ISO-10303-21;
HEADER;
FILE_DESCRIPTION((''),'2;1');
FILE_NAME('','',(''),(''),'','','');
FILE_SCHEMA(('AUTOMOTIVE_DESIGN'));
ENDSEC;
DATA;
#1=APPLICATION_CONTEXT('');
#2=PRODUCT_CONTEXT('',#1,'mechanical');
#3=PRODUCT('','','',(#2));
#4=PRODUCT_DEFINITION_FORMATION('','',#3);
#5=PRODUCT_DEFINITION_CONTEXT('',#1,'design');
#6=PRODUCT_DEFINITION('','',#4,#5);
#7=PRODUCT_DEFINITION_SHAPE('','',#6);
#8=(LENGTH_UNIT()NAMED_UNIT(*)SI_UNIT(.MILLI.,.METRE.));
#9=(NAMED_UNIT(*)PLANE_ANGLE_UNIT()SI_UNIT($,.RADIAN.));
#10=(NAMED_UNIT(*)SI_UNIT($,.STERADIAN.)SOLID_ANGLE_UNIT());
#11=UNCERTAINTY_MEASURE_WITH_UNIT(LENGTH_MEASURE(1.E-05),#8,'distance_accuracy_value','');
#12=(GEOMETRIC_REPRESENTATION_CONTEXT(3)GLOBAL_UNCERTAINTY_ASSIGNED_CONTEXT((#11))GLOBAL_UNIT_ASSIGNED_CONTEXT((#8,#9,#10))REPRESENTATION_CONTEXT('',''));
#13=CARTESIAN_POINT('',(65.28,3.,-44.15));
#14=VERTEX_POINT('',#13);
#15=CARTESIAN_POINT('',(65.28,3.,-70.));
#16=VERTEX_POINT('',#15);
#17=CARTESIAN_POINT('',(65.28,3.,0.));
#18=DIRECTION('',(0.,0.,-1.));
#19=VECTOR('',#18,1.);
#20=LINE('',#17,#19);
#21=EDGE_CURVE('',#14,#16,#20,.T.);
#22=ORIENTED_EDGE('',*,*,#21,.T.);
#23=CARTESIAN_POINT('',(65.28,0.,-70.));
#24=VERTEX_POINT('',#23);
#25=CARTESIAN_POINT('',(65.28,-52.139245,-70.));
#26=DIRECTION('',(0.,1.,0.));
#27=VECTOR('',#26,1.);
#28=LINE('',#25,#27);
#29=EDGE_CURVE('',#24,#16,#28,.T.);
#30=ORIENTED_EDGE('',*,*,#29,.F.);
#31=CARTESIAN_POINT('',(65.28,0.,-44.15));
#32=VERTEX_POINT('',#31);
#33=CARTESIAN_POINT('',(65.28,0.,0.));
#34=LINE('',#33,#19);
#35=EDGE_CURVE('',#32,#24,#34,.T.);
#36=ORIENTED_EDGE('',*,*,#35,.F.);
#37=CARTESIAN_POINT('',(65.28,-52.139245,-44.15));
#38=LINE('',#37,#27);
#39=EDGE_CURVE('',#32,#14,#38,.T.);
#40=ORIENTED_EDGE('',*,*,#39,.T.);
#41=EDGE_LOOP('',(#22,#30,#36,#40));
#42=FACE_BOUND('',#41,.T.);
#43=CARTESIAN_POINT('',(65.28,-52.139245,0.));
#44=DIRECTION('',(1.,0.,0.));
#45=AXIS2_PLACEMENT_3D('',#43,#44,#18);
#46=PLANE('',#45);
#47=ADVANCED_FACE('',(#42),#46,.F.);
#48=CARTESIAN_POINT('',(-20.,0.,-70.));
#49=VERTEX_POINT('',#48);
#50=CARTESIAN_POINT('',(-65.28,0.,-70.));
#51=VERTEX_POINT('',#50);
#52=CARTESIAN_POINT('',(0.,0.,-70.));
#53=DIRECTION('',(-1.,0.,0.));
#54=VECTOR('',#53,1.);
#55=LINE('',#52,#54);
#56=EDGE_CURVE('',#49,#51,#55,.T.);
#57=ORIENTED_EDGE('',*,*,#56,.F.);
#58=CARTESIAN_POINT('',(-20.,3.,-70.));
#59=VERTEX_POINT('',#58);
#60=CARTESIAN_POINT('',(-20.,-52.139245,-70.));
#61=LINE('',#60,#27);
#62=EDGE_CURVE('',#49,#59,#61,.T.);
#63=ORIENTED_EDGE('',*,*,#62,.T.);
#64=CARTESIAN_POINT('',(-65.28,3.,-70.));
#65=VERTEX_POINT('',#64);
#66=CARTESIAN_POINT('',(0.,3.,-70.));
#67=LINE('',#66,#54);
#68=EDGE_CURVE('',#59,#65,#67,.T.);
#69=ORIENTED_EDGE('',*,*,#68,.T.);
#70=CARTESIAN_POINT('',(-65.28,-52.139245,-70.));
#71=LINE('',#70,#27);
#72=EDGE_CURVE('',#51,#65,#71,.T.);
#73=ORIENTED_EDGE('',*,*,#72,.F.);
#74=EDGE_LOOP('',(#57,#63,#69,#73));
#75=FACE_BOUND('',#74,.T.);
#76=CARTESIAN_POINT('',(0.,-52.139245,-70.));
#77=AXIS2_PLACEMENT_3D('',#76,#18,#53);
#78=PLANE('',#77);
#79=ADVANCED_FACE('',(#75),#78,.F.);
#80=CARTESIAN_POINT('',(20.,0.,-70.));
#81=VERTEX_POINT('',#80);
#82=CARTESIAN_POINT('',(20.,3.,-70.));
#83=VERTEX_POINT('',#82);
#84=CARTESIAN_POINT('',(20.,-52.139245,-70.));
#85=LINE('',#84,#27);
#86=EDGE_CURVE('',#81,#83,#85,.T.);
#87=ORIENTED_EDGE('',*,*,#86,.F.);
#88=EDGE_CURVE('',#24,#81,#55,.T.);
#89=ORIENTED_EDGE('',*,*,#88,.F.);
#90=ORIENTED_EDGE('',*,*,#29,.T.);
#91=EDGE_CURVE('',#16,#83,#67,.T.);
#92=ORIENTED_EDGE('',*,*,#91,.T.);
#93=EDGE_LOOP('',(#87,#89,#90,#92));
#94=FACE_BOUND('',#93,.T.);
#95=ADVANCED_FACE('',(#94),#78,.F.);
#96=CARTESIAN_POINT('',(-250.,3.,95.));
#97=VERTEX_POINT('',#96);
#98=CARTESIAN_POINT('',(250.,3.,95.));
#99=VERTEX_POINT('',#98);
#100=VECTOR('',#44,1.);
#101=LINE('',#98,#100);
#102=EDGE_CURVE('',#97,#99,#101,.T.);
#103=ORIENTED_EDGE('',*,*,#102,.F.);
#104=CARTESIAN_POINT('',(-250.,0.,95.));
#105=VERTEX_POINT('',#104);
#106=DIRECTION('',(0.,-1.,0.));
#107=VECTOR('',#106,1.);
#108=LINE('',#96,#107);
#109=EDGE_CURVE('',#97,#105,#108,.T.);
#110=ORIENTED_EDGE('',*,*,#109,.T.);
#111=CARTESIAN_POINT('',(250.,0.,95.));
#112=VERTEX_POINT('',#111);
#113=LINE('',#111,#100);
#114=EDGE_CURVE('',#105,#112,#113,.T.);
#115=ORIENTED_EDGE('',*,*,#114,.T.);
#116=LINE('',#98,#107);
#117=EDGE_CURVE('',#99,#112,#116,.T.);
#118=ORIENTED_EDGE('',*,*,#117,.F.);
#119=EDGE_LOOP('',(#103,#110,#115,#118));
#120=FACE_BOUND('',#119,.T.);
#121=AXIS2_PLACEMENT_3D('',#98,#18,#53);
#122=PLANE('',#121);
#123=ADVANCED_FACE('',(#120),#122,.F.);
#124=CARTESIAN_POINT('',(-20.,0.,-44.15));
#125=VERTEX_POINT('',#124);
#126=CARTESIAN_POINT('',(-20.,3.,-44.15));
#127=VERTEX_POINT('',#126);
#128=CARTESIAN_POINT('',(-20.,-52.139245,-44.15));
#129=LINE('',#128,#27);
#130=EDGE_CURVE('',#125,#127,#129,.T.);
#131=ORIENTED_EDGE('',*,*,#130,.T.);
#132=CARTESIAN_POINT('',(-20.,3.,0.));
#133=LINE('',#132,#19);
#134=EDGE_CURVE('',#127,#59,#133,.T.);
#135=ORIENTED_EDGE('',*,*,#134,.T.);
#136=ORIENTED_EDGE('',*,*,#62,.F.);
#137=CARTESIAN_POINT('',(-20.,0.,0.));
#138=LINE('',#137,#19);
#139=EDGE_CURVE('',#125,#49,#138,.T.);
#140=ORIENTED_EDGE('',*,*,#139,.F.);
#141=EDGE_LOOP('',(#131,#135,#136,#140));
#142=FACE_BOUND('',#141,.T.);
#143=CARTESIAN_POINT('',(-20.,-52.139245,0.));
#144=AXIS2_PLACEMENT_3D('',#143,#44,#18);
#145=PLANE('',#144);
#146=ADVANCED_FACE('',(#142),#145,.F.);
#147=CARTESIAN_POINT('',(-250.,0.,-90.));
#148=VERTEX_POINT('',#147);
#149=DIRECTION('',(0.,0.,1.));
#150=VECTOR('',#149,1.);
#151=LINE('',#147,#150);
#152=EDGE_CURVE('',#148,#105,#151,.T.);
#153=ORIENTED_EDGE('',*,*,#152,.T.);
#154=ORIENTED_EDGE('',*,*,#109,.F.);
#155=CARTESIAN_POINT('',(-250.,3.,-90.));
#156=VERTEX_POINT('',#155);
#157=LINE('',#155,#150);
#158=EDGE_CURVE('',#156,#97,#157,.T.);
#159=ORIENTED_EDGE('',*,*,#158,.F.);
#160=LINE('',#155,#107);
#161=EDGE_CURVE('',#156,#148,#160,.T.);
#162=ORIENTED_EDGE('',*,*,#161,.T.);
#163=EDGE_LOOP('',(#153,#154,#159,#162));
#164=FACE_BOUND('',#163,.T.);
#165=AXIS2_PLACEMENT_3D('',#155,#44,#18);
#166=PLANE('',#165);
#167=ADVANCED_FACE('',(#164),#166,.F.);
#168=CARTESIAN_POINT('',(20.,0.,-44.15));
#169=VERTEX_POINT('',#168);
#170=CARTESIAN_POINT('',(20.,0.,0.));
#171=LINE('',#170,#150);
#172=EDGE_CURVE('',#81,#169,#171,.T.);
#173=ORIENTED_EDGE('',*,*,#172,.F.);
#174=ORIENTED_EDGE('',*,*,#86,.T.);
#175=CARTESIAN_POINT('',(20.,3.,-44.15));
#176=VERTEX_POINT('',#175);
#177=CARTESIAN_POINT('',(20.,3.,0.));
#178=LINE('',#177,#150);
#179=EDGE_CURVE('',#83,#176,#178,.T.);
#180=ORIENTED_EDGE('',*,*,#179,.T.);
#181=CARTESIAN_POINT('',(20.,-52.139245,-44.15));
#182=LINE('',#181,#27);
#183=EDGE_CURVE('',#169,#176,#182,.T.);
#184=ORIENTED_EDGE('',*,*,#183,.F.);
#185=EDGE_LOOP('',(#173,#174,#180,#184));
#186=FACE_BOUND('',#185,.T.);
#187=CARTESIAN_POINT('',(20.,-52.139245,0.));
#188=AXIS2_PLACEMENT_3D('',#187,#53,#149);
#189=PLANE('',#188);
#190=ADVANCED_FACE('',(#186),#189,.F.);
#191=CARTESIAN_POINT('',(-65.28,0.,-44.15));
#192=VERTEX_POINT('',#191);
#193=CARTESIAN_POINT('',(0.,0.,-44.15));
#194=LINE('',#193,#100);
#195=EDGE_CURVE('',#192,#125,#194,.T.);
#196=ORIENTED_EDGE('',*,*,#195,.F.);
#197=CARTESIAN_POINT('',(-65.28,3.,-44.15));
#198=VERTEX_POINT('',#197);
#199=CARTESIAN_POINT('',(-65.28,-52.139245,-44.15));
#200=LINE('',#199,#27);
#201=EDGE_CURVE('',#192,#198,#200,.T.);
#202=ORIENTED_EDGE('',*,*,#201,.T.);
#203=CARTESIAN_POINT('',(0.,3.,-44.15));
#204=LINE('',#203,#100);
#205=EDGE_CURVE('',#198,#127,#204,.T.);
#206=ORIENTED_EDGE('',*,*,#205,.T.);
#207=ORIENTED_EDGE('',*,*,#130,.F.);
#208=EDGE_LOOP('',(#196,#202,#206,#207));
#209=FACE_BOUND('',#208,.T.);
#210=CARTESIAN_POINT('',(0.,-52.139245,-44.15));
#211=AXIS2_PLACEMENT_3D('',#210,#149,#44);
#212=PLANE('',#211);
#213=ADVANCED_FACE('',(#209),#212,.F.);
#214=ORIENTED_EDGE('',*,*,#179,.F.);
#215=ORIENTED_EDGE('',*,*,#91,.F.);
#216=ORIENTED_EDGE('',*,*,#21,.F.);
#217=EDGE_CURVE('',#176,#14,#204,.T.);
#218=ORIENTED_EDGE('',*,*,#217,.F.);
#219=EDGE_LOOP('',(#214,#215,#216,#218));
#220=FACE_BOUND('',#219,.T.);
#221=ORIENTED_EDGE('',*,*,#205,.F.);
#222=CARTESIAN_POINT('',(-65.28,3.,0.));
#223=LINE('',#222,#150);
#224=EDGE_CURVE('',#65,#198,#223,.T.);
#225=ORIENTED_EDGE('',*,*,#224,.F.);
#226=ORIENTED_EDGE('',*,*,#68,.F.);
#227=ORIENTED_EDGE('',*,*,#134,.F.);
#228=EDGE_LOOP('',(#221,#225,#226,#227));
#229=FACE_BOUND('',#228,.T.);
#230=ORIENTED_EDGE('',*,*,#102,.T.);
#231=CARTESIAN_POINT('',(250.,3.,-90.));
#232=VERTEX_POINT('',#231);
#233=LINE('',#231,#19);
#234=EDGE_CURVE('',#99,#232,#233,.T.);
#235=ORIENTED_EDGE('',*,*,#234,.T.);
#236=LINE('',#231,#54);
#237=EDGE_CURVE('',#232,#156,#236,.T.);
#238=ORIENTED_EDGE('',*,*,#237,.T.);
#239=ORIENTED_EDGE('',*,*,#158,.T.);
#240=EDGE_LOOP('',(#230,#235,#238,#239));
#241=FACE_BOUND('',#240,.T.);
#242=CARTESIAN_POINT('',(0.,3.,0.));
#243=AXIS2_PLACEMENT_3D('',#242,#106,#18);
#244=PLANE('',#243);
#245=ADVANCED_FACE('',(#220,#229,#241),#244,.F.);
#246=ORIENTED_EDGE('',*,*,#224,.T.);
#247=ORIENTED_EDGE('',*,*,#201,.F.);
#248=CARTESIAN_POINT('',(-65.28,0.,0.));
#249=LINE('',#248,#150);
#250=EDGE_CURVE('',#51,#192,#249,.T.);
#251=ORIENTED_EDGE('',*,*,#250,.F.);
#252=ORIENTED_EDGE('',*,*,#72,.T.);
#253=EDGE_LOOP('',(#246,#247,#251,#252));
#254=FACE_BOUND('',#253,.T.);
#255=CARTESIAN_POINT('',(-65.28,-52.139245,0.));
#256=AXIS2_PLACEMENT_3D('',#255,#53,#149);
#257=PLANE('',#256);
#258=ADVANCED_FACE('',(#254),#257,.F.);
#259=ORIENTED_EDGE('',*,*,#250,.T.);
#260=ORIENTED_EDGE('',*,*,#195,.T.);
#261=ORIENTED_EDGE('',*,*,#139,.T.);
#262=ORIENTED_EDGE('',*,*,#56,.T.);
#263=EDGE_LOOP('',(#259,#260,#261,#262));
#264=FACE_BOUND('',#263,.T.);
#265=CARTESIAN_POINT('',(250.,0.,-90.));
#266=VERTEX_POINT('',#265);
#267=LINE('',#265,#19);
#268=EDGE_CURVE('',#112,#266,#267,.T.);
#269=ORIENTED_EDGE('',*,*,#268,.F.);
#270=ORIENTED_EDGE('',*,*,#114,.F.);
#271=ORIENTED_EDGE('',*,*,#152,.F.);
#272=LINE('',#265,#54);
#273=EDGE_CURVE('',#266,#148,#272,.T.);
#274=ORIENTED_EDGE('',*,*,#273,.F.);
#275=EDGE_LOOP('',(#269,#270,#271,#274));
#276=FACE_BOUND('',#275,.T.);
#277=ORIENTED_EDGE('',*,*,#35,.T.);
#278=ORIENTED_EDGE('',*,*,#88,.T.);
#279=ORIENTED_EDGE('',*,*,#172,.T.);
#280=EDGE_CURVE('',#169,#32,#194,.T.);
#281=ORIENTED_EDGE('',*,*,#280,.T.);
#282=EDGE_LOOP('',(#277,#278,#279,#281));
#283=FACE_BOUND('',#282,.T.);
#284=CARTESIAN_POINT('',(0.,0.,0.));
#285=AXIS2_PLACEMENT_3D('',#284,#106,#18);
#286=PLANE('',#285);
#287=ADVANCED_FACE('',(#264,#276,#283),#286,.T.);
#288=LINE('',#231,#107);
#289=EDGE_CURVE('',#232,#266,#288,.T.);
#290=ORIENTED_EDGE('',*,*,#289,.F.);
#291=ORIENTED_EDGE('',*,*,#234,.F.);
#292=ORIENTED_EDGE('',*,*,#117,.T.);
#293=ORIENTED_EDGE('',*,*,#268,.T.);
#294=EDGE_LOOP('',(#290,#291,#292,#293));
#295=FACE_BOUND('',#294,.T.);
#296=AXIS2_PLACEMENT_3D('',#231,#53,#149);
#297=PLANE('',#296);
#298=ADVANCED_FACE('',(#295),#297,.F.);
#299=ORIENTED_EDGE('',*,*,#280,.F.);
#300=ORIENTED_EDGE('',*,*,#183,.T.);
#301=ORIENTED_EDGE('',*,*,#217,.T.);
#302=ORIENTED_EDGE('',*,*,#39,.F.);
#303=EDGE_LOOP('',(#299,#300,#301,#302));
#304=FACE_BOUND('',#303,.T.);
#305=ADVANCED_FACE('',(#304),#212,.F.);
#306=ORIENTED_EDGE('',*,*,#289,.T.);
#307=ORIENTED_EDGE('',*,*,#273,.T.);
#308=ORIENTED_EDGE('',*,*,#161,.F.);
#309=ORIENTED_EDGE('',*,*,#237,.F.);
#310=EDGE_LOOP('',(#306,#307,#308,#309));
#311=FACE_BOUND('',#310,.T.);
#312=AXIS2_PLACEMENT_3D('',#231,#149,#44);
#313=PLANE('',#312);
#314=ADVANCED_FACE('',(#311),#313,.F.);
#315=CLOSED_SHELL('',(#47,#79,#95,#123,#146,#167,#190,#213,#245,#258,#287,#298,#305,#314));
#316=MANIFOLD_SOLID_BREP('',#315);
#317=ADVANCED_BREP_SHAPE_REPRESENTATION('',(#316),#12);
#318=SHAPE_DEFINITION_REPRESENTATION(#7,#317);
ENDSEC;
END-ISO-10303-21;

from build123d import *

# Parameters (mm, degrees)
SKETCH1_W           = 500
SKETCH1_H           = 185
BOSS_EXTRUDE1_DEPTH = 3
SKETCH2_W           = 45.28
SKETCH2_H           = 25.85
CUT_EXTRUDE1_DEPTH  = 3


with BuildPart() as part:
    # Sketch1 → Boss-Extrude1 (new body)
    with BuildSketch(Plane(origin=(0, 0, 0), x_dir=(1, 0, 0), z_dir=(0, 1, 0))):
        with Locations((0, -2.5)):
            Rectangle(SKETCH1_W, SKETCH1_H)
    extrude(amount=BOSS_EXTRUDE1_DEPTH)

    # Sketch2 → Cut-Extrude1 (cut)
    with BuildSketch(Plane(origin=(0, 3, 0), x_dir=(1, 0, 0), z_dir=(0, 1, 0))):
        with Locations((-42.64, 57.075)):
            Rectangle(SKETCH2_W, SKETCH2_H)
        with Locations((42.64, 57.075)):
            Rectangle(SKETCH2_W, SKETCH2_H)
    extrude(amount=-CUT_EXTRUDE1_DEPTH, mode=Mode.SUBTRACT)


solid = part.part
